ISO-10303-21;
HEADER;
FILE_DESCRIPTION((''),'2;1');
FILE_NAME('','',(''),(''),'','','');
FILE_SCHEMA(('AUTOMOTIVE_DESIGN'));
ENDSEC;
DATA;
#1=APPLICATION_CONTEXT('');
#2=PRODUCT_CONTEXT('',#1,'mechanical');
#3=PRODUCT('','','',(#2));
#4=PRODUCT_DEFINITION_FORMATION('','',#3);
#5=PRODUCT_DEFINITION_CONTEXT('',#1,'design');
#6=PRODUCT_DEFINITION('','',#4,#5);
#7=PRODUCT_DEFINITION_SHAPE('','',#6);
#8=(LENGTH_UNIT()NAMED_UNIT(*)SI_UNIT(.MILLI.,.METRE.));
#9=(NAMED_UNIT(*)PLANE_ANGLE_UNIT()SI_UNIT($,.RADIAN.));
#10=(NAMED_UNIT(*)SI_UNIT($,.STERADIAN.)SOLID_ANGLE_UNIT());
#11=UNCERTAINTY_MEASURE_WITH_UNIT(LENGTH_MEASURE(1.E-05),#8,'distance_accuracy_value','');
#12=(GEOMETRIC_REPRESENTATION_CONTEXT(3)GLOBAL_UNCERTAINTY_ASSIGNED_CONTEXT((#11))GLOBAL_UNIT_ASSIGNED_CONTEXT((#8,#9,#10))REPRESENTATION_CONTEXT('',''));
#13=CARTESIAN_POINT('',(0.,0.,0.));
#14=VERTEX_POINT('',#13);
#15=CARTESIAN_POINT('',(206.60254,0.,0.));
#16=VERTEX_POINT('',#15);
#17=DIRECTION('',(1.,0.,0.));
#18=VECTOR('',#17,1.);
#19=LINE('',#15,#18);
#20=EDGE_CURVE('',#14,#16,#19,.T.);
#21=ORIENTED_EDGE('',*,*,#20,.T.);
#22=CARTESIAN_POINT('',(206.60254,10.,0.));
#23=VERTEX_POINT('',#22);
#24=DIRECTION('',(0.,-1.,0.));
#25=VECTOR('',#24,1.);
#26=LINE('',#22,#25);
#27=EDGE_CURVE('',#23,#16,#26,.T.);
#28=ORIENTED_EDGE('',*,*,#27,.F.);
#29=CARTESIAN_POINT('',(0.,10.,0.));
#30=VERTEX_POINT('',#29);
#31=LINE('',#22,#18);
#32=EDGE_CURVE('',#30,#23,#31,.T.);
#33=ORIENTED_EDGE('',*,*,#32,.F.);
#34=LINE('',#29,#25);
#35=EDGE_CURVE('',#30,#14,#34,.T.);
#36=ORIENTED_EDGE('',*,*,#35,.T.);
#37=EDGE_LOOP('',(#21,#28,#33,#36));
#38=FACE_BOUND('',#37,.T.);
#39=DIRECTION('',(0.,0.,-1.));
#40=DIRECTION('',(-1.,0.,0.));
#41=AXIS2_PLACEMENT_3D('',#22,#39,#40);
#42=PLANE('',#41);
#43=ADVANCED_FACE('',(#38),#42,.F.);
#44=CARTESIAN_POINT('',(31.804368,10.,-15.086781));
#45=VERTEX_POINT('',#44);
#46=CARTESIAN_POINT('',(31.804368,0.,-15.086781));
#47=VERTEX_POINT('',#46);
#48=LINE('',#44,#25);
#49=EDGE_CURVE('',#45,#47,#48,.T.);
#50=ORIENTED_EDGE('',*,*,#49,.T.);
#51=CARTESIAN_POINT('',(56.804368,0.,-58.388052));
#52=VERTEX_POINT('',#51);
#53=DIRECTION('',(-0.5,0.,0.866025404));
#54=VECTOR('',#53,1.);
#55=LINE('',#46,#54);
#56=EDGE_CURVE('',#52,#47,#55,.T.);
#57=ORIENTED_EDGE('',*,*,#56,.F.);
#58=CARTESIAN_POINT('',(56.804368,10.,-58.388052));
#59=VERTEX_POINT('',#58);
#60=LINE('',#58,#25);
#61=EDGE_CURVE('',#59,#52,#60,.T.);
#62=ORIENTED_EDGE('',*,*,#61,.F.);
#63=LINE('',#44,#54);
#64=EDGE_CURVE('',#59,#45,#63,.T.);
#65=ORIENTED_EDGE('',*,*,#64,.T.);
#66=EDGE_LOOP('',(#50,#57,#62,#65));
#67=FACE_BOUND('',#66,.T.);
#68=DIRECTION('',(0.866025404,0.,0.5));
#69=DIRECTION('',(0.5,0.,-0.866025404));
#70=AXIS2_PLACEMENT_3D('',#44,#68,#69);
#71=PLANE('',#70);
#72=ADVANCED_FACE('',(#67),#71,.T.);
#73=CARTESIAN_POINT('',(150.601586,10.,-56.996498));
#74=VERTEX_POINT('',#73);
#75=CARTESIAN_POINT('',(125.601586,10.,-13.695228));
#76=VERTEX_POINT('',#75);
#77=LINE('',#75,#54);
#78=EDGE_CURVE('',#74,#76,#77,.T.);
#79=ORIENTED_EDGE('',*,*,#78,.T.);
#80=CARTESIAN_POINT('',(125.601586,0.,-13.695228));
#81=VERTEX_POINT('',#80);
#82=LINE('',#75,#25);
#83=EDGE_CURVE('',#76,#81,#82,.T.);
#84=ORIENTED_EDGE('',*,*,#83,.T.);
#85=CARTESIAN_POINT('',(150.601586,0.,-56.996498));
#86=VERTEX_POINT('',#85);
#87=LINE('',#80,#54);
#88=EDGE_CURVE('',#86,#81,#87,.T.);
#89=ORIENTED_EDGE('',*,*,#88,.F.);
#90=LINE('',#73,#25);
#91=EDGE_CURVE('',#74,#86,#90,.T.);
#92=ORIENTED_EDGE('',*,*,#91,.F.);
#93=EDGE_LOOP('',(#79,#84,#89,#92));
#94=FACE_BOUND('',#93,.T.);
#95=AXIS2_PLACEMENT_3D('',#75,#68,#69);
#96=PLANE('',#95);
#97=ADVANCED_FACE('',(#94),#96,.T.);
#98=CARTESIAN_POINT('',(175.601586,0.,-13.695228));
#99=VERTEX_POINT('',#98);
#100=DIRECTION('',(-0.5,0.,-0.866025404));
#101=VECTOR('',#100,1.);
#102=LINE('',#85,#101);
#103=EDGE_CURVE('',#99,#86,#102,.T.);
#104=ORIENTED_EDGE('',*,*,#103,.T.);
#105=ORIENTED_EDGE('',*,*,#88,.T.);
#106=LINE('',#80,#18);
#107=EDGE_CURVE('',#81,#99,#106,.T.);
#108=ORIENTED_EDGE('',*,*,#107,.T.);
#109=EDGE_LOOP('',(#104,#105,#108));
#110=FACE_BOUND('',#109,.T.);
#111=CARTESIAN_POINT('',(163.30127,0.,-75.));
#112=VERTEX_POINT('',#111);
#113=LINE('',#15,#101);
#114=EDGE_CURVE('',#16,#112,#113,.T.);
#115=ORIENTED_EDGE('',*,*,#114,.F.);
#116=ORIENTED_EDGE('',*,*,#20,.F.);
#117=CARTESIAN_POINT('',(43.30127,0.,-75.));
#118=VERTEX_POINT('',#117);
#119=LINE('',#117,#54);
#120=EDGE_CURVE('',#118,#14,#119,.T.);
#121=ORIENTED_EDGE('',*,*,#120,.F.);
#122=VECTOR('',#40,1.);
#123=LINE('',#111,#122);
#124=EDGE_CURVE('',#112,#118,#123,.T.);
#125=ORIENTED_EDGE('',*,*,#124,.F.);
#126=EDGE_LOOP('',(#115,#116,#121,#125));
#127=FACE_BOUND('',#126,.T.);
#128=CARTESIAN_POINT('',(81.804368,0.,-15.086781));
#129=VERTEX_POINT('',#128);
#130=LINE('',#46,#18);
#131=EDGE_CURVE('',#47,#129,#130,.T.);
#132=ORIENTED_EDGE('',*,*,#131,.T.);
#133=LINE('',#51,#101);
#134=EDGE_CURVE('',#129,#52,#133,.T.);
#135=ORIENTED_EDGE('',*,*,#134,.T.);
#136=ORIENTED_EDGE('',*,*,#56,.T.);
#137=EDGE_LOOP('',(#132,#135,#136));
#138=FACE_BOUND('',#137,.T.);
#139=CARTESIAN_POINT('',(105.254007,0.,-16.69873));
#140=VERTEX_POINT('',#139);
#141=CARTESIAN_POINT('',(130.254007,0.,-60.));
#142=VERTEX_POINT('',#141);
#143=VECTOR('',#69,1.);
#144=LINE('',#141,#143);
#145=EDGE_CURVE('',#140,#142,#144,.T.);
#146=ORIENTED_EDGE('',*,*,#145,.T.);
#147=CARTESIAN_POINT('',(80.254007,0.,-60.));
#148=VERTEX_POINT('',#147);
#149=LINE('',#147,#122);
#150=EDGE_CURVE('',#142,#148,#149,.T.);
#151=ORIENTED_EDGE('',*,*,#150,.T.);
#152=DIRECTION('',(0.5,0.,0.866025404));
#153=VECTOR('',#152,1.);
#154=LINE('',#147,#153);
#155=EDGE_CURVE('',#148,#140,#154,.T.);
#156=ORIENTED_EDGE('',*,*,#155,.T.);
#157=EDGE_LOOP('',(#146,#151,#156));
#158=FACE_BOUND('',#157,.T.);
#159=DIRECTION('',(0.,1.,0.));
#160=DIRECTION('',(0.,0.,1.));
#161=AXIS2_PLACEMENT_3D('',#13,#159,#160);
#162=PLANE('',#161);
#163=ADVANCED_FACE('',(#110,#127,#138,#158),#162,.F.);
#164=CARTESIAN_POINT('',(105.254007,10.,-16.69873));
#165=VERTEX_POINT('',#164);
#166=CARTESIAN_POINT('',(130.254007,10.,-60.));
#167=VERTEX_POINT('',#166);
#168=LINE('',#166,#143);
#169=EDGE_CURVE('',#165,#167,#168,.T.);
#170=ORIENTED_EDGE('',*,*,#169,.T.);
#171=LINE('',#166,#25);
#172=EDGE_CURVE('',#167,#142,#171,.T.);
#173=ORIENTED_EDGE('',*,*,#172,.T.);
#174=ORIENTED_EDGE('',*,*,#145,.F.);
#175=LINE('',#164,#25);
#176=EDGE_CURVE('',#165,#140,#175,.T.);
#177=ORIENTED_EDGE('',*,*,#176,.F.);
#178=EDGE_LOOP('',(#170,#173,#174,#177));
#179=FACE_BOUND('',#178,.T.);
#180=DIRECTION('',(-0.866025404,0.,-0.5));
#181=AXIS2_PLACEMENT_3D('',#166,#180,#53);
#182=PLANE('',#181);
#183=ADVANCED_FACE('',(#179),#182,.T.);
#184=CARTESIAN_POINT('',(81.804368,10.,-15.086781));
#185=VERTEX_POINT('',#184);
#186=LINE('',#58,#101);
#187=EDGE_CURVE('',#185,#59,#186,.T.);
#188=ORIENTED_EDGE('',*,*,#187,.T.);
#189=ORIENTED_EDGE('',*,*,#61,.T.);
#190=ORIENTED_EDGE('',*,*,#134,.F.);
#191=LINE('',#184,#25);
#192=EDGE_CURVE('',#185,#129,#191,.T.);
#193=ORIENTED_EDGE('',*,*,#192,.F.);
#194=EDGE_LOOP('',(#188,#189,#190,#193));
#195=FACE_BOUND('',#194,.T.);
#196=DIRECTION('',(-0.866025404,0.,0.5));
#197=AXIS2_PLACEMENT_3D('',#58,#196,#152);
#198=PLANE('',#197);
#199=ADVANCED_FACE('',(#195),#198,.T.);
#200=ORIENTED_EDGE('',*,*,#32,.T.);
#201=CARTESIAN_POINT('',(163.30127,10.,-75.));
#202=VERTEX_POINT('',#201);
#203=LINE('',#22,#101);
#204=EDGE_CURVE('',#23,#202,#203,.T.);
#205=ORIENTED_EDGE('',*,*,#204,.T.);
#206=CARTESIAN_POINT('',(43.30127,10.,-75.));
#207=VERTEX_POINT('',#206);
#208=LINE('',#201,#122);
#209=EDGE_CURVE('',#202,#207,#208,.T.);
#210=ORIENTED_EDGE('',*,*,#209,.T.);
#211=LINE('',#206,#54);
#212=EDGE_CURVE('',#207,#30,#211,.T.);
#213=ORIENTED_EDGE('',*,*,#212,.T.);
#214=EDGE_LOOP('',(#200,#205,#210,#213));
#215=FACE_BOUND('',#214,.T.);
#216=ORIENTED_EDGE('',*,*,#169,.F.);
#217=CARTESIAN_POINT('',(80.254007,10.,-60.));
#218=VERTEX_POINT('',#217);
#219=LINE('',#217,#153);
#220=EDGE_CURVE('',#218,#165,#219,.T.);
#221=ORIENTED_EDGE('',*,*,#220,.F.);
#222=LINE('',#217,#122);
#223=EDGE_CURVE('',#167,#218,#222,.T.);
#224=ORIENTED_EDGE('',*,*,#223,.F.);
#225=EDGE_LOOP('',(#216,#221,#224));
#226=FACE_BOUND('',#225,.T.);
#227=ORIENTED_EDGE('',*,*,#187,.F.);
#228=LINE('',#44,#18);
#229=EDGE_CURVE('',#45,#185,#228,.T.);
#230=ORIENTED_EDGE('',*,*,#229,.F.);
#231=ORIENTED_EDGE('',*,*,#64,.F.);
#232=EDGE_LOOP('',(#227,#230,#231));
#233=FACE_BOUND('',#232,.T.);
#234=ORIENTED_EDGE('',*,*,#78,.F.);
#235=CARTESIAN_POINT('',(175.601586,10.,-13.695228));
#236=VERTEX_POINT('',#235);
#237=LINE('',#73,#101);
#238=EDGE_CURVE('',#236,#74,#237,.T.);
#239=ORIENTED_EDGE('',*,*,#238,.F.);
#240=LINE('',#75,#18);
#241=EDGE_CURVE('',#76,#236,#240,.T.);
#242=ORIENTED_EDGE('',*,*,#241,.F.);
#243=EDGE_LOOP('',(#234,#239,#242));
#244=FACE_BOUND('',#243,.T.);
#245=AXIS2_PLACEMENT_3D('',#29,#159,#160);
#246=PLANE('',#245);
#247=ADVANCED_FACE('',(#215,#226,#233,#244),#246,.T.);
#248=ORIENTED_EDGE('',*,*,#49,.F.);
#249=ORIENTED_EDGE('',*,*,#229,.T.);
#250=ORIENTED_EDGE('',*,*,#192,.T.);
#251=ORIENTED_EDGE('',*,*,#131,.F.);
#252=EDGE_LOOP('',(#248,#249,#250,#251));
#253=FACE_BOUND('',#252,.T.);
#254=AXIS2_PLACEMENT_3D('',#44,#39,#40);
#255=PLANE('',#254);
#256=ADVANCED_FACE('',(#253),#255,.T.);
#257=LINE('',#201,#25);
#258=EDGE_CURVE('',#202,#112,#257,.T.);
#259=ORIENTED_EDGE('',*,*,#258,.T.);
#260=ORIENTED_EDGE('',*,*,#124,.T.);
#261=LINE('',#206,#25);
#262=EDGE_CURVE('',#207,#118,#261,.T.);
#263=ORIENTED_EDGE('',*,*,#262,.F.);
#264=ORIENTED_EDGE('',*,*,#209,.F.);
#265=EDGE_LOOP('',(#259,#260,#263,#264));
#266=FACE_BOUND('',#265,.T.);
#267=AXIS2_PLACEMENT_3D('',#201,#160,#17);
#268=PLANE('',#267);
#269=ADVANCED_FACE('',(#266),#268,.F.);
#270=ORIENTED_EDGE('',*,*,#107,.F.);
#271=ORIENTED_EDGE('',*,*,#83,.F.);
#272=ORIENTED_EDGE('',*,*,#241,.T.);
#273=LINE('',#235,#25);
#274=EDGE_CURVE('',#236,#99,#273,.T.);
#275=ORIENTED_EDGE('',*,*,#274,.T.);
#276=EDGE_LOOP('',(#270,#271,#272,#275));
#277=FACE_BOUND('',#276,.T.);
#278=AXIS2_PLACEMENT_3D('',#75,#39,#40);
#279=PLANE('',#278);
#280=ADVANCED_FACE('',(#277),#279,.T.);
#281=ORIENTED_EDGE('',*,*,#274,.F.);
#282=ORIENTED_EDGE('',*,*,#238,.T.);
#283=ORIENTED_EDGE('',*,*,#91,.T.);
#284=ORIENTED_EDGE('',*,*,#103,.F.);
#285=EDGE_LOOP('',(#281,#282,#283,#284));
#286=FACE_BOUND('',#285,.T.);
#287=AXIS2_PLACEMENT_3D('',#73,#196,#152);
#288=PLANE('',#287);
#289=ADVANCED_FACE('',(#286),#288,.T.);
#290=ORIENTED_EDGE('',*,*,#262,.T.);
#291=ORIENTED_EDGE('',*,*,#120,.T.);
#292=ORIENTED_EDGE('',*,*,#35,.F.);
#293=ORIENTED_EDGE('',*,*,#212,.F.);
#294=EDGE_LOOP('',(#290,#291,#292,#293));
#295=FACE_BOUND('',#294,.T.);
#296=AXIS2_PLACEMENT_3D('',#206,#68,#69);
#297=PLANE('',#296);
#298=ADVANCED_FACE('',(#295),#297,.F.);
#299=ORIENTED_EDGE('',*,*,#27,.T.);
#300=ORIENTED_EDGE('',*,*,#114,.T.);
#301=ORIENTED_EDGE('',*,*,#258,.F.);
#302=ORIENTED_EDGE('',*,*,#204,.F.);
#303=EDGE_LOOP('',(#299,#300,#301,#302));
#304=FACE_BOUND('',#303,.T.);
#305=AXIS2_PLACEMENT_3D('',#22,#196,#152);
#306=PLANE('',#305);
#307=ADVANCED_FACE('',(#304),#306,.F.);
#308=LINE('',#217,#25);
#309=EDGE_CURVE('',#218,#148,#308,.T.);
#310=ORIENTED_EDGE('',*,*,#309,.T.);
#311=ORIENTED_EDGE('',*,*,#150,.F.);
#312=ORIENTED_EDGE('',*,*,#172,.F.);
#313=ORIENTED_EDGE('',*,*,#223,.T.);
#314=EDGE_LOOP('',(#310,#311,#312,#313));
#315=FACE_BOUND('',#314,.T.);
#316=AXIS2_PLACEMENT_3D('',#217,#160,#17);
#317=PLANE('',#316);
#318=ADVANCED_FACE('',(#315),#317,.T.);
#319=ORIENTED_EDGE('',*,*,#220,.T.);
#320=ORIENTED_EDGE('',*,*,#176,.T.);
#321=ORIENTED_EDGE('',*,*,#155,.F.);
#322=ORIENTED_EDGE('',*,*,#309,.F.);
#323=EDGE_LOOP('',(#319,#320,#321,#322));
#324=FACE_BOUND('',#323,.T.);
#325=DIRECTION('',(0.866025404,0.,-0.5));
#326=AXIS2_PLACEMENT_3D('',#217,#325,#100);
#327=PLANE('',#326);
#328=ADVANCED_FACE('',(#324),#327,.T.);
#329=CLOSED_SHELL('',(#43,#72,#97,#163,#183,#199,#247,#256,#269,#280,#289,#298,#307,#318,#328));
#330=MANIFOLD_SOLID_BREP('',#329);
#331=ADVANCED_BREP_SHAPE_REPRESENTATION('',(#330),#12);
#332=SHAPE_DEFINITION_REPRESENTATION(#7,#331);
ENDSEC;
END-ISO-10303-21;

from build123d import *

# Parameters (mm, degrees)
BOSS_EXTRUDE1_DEPTH = 10


with BuildPart() as part:
    # Sketch1 → Boss-Extrude1 (new body)
    with BuildSketch(Plane(origin=(0, 0, 0), x_dir=(1, 0, 0), z_dir=(0, 1, 0))):
        Polygon((43.301270189, 75), (0, 0), (206.602540378, 0), (163.301270189, 75), align=None)
        Polygon((80.254006688, 60), (130.254006688, 60), (105.254006688, 16.698729811), align=None, mode=Mode.SUBTRACT)
        Polygon((125.601586083, 13.695227923), (150.601586083, 56.996498112), (175.601586083, 13.695227923), align=None, mode=Mode.SUBTRACT)
        Polygon((31.804368121, 15.086781489), (56.804368121, 58.388051678), (81.804368121, 15.086781489), align=None, mode=Mode.SUBTRACT)
    extrude(amount=BOSS_EXTRUDE1_DEPTH)


solid = part.part
